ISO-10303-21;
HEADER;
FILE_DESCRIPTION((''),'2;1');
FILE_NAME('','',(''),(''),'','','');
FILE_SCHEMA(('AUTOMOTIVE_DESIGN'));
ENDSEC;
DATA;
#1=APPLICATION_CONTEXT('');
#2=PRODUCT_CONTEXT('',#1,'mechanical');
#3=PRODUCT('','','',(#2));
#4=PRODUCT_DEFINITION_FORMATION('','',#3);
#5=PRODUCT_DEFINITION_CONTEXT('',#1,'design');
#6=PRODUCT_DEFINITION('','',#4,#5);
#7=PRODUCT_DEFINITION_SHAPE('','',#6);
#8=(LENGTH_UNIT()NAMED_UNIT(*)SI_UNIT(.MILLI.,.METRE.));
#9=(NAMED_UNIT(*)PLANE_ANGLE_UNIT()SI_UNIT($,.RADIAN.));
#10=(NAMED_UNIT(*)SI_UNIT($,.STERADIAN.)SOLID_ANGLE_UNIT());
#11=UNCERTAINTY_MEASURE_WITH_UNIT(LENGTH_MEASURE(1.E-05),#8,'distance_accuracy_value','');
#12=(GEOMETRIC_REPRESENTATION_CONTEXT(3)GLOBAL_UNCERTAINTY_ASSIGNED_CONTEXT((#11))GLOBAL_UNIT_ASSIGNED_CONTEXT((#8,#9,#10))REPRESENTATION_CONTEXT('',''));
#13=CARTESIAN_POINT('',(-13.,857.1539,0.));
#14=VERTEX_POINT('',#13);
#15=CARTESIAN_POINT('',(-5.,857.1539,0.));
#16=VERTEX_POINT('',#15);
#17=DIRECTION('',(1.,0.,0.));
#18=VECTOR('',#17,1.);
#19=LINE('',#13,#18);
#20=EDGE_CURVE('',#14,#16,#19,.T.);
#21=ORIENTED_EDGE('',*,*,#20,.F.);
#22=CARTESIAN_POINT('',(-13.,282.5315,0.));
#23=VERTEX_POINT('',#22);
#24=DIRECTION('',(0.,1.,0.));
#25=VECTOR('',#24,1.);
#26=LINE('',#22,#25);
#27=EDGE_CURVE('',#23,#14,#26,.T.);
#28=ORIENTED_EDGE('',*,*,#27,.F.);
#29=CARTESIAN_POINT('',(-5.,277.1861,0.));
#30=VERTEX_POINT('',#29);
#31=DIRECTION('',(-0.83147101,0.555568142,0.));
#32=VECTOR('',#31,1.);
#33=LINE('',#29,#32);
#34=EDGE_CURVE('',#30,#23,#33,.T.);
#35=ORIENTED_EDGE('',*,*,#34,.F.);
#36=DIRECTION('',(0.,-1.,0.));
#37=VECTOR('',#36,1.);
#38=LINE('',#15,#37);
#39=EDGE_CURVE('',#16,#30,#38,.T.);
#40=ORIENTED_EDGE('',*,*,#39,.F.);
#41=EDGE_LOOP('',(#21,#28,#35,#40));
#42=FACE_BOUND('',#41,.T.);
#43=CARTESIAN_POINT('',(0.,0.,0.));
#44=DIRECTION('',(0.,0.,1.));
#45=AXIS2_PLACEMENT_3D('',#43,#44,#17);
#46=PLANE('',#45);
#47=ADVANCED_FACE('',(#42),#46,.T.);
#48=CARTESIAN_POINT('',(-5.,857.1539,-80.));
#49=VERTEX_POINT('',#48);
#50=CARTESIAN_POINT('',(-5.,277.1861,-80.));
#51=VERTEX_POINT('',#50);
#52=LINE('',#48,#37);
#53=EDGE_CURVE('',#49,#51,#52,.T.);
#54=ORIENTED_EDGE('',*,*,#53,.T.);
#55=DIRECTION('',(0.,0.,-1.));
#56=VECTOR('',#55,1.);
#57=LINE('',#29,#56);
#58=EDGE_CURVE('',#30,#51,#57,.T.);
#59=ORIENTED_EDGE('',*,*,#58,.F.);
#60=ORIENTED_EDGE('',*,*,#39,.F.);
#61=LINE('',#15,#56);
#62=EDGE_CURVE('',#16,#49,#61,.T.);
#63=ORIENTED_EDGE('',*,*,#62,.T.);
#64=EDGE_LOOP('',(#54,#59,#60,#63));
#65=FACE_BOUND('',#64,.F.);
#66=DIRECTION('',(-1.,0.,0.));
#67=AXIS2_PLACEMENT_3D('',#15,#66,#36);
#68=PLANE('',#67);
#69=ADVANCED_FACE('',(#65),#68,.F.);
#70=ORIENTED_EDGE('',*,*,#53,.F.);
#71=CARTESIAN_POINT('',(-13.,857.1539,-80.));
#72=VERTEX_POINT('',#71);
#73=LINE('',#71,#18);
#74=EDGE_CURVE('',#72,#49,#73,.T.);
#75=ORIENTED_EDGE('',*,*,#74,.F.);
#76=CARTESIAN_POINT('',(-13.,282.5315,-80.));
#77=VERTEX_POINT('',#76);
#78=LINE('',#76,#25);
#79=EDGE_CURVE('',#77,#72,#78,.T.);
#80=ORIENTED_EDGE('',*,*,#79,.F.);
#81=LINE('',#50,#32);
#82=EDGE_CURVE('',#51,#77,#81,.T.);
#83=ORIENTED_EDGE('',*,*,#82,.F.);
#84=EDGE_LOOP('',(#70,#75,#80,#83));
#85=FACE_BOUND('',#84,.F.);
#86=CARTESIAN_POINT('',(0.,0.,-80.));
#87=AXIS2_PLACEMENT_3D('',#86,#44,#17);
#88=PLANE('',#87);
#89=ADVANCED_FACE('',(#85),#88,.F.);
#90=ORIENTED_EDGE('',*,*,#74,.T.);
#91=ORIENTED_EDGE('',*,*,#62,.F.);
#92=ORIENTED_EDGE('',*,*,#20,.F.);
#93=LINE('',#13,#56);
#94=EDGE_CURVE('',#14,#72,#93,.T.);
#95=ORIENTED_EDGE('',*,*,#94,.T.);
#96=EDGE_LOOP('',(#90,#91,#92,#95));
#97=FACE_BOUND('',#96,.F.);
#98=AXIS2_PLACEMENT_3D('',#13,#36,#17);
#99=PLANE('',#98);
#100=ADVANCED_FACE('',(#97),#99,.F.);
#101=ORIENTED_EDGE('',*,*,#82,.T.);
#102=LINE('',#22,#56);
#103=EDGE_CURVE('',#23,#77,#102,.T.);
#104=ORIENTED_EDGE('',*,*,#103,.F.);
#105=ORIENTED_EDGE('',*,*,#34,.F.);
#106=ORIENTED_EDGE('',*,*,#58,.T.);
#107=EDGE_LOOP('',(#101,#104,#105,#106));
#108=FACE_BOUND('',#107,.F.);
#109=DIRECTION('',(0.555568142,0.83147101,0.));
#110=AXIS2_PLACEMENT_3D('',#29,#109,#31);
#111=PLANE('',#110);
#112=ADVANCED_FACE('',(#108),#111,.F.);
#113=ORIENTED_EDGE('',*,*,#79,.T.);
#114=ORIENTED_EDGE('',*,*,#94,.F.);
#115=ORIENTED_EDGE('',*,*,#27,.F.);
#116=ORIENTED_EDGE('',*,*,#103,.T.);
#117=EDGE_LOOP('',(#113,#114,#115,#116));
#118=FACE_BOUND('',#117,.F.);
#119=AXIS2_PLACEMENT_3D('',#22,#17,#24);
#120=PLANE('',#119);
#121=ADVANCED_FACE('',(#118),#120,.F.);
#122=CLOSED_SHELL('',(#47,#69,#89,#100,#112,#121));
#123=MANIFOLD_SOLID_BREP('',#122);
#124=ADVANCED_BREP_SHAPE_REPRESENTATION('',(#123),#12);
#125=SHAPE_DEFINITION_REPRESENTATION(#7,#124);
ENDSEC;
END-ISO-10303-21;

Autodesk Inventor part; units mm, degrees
ref_plane "YZ Plane" through (0, 0, 0) normal (1, 0, 0) x (0, 1, 0)
ref_plane "XZ Plane" through (0, 0, 0) normal (0, 1, 0) x (-1, 0, 0)
ref_plane "XY Plane" through (0, 0, 0) normal (0, 0, 1) x (1, 0, 0)
sketch "Sketch1" plane through (0, 0, 0) normal (0, 0, 1) x (1, 0, 0)
  line L0 (0, 273.8452) -> (193.6378, 193.6378) construction
  line L1 (193.6378, 193.6378) -> (273.8452, 0) construction
  line L2 (273.8452, 0) -> (193.6378, -193.6378) construction
  line L3 (193.6378, -193.6378) -> (0, -273.8452) construction
  line L4 (0, -273.8452) -> (-193.6378, -193.6378) construction
  line L5 (-193.6378, -193.6378) -> (-273.8452, 0) construction
  line L6 (-273.8452, 0) -> (-193.6378, 193.6378) construction
  line L7 (-193.6378, 193.6378) -> (0, 273.8452) construction
  line L8 (-193.6378, 193.6378) -> (0, 273.8452) construction
  line L9 (-459.9272, 770.6562) -> (-219.7185, 870.1539) construction
  line L10 (-96.8189, 233.7415) -> (-339.8229, 820.405) construction
  line L11 (-219.7185, 870.1539) -> (0, 870.1539) construction
  line L12 (0, 870.1539) -> (0, 273.8452) construction
  line L13 (-459.9272, 770.6562) -> (-615.2917, 615.2917) construction
  line L14 (-615.2917, 615.2917) -> (-193.6378, 193.6378) construction
  line L15 (-5, 277.1861) -> (-192.4647, 199.5357) construction
  line L16 (-192.4647, 199.5357) -> (-608.2206, 615.2917) construction
  line L17 (-608.2206, 615.2917) -> (-457.095, 766.4174) construction
  line L18 (-457.095, 766.4174) -> (-218.724, 865.1539) construction
  line L19 (-218.724, 865.1539) -> (-5, 865.1539) construction
  line L20 (-5, 865.1539) -> (-5, 277.1861) construction
  line L21 (-13, 282.5315) -> (-190.5876, 208.9724) construction
  line L22 (-190.5876, 208.9724) -> (-596.9069, 615.2917) construction
  line L23 (-596.9069, 615.2917) -> (-452.5633, 759.6353) construction
  line L24 (-452.5633, 759.6353) -> (-217.1327, 857.1539) construction
  line L25 (-217.1327, 857.1539) -> (-13, 857.1539) construction
  line L26 (-13, 857.1539) -> (-13, 282.5315) construction
  line L27 (-13, 857.1539) -> (-5, 857.1539)
  line L28 (-5, 857.1539) -> (-5, 277.1861)
  line L29 (-5, 277.1861) -> (-13, 282.5315)
  line L30 (-13, 282.5315) -> (-13, 857.1539)
  point P0 (0, 0)
  point P1 (0, 0)
  point P2 (0, 0)
  dimension "d0" = 506
  dimension "d1" = 260
  dimension "d2" = 635
  dimension "d10" = 5
  dimension "d11" = 8
extrude "Extrusion1" add sketch "Sketch1" against normal blind 80
equation "\"d0\" = Барабан_габарит_по_кассетам"
equation "\"d1\" = Кассета_длина_грани"
equation "\"d2\" = Кассета_высота"
equation "\"Барабан_габарит_по_кассетам\" = 506"
equation "\"Кассета_длина_грани\" = 260"
equation "\"Кассета_высота\" = 635"
properties part number "ДМС 203 Боковая часть"
